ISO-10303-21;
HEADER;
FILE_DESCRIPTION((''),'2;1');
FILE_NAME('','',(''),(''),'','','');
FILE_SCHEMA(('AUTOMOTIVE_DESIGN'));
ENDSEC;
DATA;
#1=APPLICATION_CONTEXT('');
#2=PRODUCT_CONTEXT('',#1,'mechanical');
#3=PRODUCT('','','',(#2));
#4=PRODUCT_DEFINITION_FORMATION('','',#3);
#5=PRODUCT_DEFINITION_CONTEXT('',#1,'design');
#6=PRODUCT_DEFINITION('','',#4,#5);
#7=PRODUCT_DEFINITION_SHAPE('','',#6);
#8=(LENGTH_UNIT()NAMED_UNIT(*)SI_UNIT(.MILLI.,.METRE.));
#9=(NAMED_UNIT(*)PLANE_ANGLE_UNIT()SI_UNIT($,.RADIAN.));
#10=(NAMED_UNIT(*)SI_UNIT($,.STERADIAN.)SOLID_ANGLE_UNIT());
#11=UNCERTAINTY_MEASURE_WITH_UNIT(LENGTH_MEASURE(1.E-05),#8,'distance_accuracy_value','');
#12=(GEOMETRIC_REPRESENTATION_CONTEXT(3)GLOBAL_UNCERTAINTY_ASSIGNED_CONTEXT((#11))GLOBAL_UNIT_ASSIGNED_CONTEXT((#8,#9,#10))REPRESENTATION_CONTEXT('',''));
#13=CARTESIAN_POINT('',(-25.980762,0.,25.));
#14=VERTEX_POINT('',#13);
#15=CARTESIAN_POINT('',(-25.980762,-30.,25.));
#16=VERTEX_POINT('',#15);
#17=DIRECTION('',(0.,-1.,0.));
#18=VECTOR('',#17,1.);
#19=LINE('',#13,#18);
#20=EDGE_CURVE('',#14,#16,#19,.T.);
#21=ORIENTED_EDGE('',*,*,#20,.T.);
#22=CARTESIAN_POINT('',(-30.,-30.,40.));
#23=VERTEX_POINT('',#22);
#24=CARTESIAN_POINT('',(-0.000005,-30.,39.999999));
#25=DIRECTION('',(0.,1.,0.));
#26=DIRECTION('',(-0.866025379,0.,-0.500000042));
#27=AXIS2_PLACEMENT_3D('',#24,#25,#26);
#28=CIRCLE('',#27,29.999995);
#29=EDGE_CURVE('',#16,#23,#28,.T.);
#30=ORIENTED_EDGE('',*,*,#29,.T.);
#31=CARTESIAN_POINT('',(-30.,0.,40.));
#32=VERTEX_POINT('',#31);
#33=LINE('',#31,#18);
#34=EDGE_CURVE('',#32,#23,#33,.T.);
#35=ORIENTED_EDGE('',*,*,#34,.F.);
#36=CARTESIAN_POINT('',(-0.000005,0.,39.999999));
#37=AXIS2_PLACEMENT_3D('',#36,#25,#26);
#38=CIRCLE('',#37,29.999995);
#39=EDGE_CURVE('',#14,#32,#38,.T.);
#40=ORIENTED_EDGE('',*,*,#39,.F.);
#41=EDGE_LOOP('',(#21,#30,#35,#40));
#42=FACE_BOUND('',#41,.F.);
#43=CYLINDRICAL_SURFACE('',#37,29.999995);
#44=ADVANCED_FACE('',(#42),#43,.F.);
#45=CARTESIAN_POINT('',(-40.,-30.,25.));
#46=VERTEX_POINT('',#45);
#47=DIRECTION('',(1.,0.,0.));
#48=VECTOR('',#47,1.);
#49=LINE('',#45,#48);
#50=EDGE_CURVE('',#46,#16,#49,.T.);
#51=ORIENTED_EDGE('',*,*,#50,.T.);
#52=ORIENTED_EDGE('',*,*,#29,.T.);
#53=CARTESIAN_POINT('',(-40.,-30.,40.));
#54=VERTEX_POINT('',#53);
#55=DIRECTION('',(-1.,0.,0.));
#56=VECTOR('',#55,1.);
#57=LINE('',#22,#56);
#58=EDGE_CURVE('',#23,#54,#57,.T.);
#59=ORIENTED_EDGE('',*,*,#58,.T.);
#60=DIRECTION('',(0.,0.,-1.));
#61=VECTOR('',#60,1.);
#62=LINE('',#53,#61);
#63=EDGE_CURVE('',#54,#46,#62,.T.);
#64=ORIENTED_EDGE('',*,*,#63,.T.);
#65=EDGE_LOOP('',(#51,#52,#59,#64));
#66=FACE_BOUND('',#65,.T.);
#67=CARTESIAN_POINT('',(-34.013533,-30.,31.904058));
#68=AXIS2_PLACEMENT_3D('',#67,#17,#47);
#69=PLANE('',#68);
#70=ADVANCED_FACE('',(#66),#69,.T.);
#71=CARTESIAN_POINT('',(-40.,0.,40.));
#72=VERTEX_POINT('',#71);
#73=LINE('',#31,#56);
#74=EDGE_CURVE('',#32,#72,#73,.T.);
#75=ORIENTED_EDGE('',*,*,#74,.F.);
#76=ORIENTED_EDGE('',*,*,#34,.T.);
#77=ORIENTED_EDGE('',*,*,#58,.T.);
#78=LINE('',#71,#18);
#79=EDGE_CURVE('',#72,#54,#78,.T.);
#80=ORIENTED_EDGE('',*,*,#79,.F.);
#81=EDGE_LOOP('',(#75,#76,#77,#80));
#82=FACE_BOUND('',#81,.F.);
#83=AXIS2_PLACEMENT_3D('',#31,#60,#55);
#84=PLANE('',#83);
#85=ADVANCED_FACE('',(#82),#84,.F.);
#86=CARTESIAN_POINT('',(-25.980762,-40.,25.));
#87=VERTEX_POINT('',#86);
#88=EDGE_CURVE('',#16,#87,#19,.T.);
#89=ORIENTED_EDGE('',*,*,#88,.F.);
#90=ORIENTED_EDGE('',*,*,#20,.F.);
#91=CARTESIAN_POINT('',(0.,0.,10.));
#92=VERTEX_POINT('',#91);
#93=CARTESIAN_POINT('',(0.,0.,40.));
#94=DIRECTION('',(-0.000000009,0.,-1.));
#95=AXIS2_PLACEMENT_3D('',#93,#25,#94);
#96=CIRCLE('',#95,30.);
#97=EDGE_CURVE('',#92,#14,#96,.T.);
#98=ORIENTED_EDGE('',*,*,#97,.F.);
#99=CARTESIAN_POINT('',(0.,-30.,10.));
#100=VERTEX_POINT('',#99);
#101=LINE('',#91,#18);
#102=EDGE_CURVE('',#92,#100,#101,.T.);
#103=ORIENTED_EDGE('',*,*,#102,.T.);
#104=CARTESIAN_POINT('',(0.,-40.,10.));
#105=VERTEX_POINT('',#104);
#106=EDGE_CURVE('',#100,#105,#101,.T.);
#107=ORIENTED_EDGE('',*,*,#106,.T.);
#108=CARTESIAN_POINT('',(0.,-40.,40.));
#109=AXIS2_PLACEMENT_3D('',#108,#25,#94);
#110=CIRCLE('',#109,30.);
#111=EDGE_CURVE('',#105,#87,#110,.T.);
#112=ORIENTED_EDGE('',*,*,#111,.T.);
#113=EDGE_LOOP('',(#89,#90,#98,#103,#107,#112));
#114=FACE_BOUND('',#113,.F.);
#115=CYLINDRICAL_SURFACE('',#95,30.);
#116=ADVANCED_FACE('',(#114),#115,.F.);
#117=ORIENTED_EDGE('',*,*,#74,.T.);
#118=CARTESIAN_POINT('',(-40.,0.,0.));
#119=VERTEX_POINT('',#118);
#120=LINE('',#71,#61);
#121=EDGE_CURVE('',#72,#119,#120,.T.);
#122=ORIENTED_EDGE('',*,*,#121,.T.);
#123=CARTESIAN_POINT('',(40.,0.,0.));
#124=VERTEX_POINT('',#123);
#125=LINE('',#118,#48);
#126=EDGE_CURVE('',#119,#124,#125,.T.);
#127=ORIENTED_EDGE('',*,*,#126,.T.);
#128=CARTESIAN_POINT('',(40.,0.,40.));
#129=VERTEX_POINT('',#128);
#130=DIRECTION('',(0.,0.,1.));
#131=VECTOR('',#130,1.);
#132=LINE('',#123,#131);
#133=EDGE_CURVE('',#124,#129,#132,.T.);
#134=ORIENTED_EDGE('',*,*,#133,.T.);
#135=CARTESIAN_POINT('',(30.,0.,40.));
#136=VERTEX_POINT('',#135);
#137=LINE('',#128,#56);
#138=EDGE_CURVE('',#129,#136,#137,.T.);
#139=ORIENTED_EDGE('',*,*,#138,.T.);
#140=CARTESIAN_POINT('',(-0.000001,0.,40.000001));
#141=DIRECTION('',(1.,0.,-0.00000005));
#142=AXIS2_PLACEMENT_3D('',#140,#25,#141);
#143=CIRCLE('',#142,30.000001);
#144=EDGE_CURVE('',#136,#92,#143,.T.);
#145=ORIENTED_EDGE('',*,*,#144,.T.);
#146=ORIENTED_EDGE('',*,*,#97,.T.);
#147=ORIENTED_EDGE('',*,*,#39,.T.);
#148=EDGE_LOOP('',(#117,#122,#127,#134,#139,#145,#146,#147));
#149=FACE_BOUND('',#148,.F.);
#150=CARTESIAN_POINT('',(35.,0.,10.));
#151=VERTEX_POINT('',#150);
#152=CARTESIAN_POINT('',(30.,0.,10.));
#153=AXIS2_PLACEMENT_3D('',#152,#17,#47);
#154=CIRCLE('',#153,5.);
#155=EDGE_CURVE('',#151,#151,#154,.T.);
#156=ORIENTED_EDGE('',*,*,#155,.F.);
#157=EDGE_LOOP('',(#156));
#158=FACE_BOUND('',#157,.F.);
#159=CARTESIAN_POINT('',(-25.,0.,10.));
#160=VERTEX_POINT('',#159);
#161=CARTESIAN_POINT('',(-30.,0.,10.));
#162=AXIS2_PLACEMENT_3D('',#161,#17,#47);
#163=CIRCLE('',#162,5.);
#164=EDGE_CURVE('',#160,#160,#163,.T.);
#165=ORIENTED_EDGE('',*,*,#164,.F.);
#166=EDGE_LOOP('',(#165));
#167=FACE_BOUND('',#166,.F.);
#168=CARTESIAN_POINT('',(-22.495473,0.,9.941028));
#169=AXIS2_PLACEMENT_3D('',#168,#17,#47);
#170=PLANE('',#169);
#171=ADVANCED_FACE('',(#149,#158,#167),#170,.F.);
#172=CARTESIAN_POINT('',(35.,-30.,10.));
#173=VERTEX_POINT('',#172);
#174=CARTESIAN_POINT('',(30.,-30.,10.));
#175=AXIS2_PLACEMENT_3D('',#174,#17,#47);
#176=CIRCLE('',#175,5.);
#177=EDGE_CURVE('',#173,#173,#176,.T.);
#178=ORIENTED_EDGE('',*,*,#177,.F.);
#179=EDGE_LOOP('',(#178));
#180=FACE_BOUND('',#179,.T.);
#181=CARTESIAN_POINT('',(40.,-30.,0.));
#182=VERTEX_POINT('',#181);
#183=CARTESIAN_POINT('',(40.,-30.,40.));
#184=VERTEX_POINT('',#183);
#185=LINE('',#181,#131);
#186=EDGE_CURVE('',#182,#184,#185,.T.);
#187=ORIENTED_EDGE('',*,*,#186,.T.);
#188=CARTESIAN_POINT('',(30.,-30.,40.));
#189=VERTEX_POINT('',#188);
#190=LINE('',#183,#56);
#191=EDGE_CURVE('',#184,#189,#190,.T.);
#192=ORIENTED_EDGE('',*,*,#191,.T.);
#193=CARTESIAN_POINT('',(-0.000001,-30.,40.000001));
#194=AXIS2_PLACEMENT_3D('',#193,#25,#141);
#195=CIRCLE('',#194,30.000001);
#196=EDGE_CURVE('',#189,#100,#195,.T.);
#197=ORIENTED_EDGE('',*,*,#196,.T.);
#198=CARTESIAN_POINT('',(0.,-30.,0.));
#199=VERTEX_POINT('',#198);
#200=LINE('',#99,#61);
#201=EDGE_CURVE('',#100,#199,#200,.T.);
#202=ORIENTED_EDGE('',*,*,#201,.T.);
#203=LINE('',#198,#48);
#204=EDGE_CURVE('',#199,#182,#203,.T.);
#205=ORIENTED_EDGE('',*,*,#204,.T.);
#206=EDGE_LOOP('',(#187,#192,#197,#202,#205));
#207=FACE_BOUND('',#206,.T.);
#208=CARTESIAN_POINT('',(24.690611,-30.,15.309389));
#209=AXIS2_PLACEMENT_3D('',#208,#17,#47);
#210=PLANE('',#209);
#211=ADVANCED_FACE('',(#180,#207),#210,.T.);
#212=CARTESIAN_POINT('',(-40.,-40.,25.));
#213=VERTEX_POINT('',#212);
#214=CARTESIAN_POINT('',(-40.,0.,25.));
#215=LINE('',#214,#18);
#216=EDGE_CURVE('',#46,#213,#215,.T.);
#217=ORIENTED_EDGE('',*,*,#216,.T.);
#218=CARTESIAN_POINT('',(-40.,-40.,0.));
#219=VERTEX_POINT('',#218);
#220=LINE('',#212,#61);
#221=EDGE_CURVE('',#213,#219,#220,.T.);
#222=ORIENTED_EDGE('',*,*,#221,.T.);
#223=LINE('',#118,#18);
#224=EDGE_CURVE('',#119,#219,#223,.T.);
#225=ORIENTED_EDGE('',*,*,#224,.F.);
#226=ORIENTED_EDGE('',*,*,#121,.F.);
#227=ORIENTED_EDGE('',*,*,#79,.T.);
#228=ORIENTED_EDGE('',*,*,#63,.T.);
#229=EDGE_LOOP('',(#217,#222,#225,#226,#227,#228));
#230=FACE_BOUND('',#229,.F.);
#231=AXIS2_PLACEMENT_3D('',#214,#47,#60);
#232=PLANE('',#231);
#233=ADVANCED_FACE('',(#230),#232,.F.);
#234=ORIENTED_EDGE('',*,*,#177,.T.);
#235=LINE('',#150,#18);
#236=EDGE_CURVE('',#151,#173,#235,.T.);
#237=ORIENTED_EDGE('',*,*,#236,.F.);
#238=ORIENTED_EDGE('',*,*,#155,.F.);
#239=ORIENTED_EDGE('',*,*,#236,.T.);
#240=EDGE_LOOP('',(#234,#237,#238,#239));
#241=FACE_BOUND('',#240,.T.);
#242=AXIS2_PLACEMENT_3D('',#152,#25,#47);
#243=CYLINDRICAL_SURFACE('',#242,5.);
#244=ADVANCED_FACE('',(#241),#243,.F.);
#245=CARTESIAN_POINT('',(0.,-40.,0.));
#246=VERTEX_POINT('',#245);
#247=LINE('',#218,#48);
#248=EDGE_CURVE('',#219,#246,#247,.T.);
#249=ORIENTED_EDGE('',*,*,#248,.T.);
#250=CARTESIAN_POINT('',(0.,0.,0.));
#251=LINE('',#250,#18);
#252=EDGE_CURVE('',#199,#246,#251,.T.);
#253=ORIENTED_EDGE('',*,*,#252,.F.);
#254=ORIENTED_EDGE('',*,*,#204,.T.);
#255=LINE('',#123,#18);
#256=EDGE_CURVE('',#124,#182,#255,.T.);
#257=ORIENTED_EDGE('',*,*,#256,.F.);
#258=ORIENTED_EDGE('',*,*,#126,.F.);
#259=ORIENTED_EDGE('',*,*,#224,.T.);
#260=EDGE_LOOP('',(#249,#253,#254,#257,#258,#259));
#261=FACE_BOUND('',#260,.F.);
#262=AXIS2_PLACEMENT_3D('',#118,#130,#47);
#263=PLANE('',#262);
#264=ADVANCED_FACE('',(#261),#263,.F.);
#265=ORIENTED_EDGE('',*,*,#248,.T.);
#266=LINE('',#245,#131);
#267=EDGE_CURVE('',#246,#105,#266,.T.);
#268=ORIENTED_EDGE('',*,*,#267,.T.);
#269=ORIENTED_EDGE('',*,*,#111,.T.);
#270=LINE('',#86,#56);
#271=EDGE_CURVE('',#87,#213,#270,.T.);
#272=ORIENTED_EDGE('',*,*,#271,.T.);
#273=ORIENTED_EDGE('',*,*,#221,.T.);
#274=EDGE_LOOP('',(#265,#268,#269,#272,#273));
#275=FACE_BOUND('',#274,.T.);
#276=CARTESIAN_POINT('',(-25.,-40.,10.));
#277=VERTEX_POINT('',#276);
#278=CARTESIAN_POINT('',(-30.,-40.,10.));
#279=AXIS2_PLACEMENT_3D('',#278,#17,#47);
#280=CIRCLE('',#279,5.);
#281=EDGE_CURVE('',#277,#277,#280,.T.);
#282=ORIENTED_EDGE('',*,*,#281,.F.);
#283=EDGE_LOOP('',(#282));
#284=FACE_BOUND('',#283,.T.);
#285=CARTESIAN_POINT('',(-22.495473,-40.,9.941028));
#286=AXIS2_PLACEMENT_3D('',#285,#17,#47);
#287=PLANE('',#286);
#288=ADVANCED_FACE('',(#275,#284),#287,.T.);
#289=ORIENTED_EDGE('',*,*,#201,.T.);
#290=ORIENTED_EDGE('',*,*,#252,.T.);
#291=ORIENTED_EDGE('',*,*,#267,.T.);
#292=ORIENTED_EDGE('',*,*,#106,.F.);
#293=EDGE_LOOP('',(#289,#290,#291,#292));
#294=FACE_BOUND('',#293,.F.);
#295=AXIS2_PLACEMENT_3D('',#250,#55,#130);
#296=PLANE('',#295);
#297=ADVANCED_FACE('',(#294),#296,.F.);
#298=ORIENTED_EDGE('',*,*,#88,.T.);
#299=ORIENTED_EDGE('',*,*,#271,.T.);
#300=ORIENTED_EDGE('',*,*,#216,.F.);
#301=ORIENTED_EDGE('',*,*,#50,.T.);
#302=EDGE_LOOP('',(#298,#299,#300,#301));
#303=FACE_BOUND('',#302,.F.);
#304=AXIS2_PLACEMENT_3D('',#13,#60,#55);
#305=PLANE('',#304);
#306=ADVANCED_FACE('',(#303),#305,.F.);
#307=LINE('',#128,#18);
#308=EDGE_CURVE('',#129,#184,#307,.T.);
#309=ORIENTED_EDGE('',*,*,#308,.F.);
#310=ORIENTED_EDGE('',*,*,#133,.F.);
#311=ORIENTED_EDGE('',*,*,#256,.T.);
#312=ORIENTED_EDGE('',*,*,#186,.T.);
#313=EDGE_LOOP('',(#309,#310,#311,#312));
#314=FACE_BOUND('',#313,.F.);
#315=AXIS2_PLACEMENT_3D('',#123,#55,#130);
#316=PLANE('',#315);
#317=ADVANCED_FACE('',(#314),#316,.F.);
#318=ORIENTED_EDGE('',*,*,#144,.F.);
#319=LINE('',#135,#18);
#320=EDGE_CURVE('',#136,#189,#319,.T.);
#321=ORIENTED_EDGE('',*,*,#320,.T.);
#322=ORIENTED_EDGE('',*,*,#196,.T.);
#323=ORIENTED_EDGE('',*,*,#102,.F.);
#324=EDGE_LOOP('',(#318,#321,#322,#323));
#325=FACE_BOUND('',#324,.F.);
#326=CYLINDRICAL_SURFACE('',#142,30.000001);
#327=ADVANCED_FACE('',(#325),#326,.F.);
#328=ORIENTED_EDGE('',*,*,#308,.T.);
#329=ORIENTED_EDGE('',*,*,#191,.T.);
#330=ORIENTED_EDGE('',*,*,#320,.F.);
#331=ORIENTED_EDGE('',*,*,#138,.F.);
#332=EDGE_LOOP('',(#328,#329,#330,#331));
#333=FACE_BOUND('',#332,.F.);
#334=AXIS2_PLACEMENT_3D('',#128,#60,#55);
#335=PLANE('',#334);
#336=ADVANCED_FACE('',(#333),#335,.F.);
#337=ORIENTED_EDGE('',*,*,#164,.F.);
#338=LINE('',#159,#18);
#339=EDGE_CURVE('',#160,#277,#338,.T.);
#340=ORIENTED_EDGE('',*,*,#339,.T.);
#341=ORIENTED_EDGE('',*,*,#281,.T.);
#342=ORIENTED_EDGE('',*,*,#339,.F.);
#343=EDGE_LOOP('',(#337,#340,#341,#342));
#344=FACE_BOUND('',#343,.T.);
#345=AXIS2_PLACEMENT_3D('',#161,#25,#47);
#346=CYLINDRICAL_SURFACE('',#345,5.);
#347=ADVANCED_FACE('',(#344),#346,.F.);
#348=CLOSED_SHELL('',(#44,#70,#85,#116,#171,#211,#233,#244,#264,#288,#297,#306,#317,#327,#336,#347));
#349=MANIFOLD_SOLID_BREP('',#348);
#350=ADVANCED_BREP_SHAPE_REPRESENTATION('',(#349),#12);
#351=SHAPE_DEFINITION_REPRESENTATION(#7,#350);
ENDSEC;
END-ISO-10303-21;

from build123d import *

# Parameters (mm, degrees)
F0_R     = 5
F1_DEPTH = 30
F2_DEPTH = 40


with BuildPart() as f1:
    # F0 (on Front) → F1 (new body)
    with BuildSketch(Plane.XZ):
        with BuildLine():
            Line((-30, 40), (-40, 40))
            Line((-40, 40), (-40, 25))
            Line((-40, 25), (-25.980762, 25))
            ThreePointArc((-25.980762, 25), (-28.977775, 32.235429), (-30, 40))
        make_face()
        with BuildLine():
            Line((0, 10), (0, 0))
            Line((0, 0), (40, 0))
            Line((40, 0), (40, 40))
            Line((40, 40), (30, 40))
            ThreePointArc((30, 40), (21.213203, 18.786797), (0, 10))
        make_face()
        with Locations((30, 10)):
            Circle(F0_R, mode=Mode.SUBTRACT)
    extrude(amount=F1_DEPTH)

    # F0 (on Front) → F2 (join)
    with BuildSketch(Plane.XZ):
        with BuildLine():
            Line((-25.980762, 25), (-40, 25))
            Line((-40, 25), (-40, 0))
            Line((-40, 0), (0, 0))
            Line((0, 0), (0, 10))
            ThreePointArc((0, 10), (-15, 14.019238), (-25.980762, 25))
        make_face()
        with Locations((-30, 10)):
            Circle(F0_R, mode=Mode.SUBTRACT)
    extrude(amount=F2_DEPTH)


solid = f1.part
